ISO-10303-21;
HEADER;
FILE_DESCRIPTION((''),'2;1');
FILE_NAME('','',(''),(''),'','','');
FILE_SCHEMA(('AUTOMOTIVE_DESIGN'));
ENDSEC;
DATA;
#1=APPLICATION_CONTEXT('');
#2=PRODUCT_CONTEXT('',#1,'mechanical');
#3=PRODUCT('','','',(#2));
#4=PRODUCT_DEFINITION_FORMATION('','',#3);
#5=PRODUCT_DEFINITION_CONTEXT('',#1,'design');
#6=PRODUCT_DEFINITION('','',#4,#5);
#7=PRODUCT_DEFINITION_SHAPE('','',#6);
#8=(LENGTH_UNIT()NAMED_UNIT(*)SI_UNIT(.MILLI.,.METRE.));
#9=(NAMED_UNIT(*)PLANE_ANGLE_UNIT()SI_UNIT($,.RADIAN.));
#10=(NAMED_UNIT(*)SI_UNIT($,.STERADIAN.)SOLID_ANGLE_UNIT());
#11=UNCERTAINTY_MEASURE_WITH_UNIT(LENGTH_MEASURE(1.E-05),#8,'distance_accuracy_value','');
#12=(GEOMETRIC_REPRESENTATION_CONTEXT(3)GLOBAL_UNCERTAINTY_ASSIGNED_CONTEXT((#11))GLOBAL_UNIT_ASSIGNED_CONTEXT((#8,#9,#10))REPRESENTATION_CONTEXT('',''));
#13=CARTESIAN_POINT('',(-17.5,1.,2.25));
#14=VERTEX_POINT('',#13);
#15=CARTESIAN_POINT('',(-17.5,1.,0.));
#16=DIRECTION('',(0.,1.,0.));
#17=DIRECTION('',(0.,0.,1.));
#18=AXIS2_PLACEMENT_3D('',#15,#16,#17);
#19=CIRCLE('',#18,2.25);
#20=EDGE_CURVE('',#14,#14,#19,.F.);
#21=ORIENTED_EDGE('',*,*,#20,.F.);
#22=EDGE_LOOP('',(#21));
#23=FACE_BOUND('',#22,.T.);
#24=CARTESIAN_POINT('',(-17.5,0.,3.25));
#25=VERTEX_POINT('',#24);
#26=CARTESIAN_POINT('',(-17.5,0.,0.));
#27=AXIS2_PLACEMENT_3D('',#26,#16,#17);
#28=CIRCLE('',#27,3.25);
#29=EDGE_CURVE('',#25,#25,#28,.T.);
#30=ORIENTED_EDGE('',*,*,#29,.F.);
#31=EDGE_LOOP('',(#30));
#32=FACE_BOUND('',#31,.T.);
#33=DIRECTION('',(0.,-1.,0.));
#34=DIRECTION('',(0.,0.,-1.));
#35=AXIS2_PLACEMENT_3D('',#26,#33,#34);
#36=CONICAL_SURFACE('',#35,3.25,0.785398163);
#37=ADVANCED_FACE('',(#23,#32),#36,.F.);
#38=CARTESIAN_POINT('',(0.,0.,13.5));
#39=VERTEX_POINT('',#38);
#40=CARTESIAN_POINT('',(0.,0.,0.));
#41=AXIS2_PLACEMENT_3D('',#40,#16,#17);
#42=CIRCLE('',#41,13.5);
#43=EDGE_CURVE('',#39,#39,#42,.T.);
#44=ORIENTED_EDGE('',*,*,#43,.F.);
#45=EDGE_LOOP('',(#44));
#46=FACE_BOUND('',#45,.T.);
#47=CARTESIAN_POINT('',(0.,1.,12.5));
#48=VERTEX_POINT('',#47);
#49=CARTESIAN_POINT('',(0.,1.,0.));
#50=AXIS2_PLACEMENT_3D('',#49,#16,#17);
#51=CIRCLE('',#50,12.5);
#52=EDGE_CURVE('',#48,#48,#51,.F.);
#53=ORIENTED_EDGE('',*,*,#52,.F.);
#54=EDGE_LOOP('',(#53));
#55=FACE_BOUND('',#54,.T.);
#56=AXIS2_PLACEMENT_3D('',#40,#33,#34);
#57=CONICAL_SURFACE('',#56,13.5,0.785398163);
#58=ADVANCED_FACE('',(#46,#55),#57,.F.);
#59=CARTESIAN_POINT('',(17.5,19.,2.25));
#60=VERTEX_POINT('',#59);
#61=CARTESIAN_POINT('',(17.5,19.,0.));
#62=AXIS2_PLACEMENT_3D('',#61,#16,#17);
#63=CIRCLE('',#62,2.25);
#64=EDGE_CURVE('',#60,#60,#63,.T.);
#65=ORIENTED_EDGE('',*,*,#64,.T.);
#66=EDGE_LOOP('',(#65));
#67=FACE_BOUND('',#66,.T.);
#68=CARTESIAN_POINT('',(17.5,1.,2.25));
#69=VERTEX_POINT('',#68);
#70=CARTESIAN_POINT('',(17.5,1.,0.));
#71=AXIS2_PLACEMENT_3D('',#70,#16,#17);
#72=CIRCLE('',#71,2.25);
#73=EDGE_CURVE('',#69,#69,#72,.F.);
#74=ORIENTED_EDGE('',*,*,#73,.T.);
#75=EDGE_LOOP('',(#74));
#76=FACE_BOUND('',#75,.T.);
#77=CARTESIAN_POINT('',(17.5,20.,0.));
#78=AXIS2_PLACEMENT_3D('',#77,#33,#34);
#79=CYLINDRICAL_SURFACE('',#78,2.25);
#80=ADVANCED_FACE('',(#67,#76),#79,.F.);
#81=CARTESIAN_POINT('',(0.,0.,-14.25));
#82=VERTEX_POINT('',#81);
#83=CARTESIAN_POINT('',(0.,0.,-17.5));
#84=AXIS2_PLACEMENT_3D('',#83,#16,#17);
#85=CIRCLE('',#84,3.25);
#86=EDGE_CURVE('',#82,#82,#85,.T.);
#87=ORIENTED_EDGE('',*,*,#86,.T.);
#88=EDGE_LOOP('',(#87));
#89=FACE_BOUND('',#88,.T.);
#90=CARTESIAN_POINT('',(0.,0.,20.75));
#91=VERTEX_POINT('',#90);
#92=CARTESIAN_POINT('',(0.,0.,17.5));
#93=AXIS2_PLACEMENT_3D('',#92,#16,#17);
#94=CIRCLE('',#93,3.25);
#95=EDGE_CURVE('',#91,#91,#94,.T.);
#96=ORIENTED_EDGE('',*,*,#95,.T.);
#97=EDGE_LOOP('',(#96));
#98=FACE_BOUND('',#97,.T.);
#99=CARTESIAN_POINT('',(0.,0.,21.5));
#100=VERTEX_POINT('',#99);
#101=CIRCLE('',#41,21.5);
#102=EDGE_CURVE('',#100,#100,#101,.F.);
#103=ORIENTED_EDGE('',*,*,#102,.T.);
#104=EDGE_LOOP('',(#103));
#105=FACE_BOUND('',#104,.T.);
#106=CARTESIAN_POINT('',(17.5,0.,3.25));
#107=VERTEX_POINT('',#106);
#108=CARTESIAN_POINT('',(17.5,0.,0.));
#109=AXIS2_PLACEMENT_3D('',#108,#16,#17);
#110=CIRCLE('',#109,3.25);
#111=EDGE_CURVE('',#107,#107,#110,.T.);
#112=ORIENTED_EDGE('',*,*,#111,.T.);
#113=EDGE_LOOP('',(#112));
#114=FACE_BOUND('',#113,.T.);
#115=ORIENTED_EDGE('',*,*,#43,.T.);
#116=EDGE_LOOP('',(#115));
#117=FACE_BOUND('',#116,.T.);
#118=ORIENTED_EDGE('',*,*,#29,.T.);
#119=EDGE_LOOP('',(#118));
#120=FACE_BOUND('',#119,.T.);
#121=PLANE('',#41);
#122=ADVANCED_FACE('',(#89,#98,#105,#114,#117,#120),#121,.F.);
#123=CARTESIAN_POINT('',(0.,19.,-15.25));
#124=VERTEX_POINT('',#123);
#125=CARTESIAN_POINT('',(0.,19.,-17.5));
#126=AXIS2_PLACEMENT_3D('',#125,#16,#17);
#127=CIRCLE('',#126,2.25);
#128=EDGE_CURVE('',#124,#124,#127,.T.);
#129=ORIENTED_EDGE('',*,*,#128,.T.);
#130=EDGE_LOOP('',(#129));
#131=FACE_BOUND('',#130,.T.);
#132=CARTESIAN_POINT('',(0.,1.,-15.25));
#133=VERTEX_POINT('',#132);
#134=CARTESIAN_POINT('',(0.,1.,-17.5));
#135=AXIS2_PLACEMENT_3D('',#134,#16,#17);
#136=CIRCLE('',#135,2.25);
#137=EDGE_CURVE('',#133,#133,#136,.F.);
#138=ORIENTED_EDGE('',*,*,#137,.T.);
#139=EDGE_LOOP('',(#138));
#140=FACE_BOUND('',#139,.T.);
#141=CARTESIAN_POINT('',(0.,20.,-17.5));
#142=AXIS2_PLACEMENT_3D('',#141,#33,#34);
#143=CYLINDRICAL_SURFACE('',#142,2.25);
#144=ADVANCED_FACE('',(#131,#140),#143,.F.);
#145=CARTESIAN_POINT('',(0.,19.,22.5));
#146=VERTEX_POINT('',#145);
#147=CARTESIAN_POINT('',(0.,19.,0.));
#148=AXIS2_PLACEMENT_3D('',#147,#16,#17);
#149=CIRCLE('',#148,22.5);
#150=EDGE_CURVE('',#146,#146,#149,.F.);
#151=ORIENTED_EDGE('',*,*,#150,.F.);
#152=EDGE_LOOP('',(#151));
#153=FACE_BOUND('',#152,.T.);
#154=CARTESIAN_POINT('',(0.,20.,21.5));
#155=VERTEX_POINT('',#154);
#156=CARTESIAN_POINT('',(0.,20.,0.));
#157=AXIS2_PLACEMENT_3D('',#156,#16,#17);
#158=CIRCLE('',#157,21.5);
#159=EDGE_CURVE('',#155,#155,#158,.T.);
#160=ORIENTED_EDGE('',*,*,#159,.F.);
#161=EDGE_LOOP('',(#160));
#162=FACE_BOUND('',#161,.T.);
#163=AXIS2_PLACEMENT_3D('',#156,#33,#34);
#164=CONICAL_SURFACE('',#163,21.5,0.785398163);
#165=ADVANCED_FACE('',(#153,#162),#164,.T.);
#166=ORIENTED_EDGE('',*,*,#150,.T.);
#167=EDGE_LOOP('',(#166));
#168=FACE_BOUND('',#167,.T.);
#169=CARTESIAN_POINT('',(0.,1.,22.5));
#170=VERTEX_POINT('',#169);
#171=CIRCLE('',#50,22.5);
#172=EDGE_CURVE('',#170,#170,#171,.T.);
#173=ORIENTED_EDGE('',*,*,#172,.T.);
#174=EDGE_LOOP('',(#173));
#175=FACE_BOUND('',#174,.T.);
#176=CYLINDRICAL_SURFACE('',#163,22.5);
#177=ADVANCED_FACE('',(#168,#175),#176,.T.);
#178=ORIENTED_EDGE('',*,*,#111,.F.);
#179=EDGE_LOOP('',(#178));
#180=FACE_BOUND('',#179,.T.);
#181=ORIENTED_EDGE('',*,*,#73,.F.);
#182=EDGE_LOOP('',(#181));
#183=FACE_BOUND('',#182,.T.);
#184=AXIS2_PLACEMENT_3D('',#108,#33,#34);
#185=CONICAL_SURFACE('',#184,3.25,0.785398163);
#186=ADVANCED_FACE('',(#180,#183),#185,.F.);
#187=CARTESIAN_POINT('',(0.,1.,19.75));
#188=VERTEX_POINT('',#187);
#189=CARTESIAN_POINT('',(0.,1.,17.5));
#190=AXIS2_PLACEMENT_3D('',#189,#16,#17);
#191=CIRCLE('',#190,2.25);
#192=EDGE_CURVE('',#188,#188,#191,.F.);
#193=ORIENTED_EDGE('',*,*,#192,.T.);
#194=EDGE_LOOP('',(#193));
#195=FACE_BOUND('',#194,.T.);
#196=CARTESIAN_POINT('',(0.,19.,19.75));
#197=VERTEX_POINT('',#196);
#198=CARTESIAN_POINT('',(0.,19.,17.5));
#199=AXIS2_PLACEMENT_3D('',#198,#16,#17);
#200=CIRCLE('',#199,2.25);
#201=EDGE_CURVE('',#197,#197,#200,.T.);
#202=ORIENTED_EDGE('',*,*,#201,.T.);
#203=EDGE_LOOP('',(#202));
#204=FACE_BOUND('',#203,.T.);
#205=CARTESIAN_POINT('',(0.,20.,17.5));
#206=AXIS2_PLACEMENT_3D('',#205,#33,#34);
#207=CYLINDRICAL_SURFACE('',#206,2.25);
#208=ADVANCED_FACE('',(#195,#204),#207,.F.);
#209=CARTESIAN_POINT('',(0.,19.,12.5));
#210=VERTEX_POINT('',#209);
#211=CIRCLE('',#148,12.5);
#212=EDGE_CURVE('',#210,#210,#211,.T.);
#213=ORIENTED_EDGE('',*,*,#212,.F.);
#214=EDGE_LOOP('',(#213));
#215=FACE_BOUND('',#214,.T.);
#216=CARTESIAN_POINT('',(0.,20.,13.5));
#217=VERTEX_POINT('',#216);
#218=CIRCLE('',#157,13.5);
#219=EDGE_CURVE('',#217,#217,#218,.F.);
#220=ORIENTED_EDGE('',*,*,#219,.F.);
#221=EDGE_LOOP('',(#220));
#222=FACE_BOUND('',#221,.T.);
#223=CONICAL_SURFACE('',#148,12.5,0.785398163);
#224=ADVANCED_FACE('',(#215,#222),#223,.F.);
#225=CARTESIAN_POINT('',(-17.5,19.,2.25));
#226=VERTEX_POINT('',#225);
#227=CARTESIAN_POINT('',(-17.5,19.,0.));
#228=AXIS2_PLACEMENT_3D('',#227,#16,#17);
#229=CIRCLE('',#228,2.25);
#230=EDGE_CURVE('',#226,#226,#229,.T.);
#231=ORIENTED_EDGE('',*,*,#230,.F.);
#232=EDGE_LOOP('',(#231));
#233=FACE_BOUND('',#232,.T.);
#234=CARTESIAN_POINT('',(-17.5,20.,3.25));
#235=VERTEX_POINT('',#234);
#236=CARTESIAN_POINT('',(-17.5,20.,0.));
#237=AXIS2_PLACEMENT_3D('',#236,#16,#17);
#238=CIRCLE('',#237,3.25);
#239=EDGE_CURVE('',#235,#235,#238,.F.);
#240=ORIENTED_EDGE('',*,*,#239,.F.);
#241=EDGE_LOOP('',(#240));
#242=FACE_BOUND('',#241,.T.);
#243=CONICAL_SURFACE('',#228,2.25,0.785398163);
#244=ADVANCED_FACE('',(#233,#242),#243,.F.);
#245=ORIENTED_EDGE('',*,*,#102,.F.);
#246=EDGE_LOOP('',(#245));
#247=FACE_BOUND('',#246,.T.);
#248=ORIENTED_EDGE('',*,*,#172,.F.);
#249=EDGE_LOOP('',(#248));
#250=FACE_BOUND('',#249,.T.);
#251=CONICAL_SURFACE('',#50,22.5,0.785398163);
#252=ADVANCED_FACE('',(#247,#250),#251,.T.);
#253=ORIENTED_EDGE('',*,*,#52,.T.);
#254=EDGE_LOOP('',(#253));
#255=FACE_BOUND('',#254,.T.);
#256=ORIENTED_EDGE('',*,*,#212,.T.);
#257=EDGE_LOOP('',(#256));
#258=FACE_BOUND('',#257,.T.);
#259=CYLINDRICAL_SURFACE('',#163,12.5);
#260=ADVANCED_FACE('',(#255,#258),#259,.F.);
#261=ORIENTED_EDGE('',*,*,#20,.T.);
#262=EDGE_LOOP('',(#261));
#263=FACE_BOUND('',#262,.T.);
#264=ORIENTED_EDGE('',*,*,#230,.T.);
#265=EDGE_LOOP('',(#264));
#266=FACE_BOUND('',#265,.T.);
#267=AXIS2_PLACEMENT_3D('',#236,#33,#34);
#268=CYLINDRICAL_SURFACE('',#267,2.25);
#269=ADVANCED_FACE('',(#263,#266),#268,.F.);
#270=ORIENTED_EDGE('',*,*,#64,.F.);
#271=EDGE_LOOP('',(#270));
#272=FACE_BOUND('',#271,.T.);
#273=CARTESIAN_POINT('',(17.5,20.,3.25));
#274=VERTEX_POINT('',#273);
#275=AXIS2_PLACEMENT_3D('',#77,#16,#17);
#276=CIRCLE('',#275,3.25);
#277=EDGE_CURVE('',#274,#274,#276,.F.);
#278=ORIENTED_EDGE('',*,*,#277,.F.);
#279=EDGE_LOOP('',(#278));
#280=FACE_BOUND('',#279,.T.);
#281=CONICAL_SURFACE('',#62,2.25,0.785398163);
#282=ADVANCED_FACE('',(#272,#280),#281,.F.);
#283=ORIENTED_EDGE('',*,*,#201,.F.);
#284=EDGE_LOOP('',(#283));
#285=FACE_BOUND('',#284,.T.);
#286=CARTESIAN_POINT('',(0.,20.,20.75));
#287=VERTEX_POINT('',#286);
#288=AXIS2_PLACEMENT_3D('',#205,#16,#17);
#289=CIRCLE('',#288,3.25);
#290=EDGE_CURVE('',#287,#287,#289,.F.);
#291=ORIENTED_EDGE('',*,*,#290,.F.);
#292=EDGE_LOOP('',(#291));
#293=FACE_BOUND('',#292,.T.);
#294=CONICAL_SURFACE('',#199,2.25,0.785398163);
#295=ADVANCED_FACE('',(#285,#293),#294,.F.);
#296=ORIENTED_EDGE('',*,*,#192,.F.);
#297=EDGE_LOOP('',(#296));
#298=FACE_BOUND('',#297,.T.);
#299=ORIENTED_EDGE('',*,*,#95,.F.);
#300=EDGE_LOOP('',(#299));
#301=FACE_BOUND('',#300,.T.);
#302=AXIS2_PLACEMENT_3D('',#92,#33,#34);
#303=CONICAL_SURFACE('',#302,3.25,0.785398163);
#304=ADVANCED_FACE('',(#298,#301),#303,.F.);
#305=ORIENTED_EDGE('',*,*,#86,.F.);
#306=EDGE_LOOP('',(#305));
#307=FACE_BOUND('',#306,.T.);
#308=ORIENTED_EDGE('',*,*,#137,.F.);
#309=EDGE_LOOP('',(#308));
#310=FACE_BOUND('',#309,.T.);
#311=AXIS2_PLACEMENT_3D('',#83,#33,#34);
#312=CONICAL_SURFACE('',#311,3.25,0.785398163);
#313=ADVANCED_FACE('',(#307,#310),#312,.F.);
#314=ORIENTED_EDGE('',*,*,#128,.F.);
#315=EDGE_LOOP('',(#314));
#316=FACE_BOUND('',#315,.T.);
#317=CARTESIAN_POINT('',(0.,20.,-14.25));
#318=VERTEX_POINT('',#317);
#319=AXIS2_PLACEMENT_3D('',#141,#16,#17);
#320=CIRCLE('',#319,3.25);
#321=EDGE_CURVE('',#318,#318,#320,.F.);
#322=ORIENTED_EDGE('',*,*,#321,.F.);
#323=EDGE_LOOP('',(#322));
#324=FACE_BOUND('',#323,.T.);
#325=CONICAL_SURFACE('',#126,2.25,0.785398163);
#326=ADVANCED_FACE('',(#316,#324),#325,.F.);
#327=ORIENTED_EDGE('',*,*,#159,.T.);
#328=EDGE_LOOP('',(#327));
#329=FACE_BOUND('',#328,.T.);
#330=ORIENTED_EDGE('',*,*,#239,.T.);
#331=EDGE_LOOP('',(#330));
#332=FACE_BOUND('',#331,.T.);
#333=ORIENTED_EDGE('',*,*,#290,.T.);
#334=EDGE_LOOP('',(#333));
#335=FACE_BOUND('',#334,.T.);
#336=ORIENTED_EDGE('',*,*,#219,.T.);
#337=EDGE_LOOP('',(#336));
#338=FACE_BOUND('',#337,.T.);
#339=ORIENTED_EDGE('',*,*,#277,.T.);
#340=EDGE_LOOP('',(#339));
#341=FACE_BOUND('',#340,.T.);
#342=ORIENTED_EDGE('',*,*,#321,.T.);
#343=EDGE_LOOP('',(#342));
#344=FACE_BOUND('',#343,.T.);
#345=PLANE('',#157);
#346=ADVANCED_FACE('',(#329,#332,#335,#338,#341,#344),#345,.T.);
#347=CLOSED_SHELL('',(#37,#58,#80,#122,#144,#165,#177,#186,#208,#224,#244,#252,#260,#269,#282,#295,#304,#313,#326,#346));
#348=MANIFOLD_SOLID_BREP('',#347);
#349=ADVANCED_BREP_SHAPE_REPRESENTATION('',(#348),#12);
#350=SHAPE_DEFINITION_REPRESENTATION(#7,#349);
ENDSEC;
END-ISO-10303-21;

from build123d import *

# Parameters (mm, degrees)
SKETCH1_R           = 22.5
SKETCH1_R_2         = 2.25
SKETCH1_R_3         = 12.5
BOSS_EXTRUDE1_DEPTH = 20
CHAMFER1_SIZE       = 1


with BuildPart() as part:
    # Sketch1 → Boss-Extrude1 (new body)
    with BuildSketch(Plane(origin=(0, 0, 0), x_dir=(1, 0, 0), z_dir=(0, 1, 0))):
        with Locations(Location((0, 0, 0), (0, 0, 270))):
            Circle(SKETCH1_R)
        with Locations(Location((-17.5, 0, 0), (0, 0, 270))):
            Circle(SKETCH1_R_2, mode=Mode.SUBTRACT)
        with Locations(Location((0, 17.5, 0), (0, 0, 270))):
            Circle(SKETCH1_R_2, mode=Mode.SUBTRACT)
        with Locations(Location((17.5, 0, 0), (0, 0, 270))):
            Circle(SKETCH1_R_2, mode=Mode.SUBTRACT)
        with Locations(Location((0, -17.5, 0), (0, 0, 270))):
            Circle(SKETCH1_R_2, mode=Mode.SUBTRACT)
        with Locations(Location((0, 0, 0), (0, 0, 270))):
            Circle(SKETCH1_R_3, mode=Mode.SUBTRACT)
    extrude(amount=BOSS_EXTRUDE1_DEPTH)

    # Chamfer1
    chamfer1_edges = [part.edges().sort_by_distance(p)[0] for p in [
        (0, 0, -19.75),
        (0, 20, -19.75),
        (17.5, 0, -2.25),
        (17.5, 20, -2.25),
        (0, 0, -22.5),
        (0, 0, 15.25),
        (0, 20, 15.25),
        (0, 20, -22.5),
        (-17.5, 0, -2.25),
        (-17.5, 20, -2.25),
        (0, 0, -12.5),
        (0, 20, -12.5),
    ]]
    chamfer(chamfer1_edges, length=CHAMFER1_SIZE)


solid = part.part
